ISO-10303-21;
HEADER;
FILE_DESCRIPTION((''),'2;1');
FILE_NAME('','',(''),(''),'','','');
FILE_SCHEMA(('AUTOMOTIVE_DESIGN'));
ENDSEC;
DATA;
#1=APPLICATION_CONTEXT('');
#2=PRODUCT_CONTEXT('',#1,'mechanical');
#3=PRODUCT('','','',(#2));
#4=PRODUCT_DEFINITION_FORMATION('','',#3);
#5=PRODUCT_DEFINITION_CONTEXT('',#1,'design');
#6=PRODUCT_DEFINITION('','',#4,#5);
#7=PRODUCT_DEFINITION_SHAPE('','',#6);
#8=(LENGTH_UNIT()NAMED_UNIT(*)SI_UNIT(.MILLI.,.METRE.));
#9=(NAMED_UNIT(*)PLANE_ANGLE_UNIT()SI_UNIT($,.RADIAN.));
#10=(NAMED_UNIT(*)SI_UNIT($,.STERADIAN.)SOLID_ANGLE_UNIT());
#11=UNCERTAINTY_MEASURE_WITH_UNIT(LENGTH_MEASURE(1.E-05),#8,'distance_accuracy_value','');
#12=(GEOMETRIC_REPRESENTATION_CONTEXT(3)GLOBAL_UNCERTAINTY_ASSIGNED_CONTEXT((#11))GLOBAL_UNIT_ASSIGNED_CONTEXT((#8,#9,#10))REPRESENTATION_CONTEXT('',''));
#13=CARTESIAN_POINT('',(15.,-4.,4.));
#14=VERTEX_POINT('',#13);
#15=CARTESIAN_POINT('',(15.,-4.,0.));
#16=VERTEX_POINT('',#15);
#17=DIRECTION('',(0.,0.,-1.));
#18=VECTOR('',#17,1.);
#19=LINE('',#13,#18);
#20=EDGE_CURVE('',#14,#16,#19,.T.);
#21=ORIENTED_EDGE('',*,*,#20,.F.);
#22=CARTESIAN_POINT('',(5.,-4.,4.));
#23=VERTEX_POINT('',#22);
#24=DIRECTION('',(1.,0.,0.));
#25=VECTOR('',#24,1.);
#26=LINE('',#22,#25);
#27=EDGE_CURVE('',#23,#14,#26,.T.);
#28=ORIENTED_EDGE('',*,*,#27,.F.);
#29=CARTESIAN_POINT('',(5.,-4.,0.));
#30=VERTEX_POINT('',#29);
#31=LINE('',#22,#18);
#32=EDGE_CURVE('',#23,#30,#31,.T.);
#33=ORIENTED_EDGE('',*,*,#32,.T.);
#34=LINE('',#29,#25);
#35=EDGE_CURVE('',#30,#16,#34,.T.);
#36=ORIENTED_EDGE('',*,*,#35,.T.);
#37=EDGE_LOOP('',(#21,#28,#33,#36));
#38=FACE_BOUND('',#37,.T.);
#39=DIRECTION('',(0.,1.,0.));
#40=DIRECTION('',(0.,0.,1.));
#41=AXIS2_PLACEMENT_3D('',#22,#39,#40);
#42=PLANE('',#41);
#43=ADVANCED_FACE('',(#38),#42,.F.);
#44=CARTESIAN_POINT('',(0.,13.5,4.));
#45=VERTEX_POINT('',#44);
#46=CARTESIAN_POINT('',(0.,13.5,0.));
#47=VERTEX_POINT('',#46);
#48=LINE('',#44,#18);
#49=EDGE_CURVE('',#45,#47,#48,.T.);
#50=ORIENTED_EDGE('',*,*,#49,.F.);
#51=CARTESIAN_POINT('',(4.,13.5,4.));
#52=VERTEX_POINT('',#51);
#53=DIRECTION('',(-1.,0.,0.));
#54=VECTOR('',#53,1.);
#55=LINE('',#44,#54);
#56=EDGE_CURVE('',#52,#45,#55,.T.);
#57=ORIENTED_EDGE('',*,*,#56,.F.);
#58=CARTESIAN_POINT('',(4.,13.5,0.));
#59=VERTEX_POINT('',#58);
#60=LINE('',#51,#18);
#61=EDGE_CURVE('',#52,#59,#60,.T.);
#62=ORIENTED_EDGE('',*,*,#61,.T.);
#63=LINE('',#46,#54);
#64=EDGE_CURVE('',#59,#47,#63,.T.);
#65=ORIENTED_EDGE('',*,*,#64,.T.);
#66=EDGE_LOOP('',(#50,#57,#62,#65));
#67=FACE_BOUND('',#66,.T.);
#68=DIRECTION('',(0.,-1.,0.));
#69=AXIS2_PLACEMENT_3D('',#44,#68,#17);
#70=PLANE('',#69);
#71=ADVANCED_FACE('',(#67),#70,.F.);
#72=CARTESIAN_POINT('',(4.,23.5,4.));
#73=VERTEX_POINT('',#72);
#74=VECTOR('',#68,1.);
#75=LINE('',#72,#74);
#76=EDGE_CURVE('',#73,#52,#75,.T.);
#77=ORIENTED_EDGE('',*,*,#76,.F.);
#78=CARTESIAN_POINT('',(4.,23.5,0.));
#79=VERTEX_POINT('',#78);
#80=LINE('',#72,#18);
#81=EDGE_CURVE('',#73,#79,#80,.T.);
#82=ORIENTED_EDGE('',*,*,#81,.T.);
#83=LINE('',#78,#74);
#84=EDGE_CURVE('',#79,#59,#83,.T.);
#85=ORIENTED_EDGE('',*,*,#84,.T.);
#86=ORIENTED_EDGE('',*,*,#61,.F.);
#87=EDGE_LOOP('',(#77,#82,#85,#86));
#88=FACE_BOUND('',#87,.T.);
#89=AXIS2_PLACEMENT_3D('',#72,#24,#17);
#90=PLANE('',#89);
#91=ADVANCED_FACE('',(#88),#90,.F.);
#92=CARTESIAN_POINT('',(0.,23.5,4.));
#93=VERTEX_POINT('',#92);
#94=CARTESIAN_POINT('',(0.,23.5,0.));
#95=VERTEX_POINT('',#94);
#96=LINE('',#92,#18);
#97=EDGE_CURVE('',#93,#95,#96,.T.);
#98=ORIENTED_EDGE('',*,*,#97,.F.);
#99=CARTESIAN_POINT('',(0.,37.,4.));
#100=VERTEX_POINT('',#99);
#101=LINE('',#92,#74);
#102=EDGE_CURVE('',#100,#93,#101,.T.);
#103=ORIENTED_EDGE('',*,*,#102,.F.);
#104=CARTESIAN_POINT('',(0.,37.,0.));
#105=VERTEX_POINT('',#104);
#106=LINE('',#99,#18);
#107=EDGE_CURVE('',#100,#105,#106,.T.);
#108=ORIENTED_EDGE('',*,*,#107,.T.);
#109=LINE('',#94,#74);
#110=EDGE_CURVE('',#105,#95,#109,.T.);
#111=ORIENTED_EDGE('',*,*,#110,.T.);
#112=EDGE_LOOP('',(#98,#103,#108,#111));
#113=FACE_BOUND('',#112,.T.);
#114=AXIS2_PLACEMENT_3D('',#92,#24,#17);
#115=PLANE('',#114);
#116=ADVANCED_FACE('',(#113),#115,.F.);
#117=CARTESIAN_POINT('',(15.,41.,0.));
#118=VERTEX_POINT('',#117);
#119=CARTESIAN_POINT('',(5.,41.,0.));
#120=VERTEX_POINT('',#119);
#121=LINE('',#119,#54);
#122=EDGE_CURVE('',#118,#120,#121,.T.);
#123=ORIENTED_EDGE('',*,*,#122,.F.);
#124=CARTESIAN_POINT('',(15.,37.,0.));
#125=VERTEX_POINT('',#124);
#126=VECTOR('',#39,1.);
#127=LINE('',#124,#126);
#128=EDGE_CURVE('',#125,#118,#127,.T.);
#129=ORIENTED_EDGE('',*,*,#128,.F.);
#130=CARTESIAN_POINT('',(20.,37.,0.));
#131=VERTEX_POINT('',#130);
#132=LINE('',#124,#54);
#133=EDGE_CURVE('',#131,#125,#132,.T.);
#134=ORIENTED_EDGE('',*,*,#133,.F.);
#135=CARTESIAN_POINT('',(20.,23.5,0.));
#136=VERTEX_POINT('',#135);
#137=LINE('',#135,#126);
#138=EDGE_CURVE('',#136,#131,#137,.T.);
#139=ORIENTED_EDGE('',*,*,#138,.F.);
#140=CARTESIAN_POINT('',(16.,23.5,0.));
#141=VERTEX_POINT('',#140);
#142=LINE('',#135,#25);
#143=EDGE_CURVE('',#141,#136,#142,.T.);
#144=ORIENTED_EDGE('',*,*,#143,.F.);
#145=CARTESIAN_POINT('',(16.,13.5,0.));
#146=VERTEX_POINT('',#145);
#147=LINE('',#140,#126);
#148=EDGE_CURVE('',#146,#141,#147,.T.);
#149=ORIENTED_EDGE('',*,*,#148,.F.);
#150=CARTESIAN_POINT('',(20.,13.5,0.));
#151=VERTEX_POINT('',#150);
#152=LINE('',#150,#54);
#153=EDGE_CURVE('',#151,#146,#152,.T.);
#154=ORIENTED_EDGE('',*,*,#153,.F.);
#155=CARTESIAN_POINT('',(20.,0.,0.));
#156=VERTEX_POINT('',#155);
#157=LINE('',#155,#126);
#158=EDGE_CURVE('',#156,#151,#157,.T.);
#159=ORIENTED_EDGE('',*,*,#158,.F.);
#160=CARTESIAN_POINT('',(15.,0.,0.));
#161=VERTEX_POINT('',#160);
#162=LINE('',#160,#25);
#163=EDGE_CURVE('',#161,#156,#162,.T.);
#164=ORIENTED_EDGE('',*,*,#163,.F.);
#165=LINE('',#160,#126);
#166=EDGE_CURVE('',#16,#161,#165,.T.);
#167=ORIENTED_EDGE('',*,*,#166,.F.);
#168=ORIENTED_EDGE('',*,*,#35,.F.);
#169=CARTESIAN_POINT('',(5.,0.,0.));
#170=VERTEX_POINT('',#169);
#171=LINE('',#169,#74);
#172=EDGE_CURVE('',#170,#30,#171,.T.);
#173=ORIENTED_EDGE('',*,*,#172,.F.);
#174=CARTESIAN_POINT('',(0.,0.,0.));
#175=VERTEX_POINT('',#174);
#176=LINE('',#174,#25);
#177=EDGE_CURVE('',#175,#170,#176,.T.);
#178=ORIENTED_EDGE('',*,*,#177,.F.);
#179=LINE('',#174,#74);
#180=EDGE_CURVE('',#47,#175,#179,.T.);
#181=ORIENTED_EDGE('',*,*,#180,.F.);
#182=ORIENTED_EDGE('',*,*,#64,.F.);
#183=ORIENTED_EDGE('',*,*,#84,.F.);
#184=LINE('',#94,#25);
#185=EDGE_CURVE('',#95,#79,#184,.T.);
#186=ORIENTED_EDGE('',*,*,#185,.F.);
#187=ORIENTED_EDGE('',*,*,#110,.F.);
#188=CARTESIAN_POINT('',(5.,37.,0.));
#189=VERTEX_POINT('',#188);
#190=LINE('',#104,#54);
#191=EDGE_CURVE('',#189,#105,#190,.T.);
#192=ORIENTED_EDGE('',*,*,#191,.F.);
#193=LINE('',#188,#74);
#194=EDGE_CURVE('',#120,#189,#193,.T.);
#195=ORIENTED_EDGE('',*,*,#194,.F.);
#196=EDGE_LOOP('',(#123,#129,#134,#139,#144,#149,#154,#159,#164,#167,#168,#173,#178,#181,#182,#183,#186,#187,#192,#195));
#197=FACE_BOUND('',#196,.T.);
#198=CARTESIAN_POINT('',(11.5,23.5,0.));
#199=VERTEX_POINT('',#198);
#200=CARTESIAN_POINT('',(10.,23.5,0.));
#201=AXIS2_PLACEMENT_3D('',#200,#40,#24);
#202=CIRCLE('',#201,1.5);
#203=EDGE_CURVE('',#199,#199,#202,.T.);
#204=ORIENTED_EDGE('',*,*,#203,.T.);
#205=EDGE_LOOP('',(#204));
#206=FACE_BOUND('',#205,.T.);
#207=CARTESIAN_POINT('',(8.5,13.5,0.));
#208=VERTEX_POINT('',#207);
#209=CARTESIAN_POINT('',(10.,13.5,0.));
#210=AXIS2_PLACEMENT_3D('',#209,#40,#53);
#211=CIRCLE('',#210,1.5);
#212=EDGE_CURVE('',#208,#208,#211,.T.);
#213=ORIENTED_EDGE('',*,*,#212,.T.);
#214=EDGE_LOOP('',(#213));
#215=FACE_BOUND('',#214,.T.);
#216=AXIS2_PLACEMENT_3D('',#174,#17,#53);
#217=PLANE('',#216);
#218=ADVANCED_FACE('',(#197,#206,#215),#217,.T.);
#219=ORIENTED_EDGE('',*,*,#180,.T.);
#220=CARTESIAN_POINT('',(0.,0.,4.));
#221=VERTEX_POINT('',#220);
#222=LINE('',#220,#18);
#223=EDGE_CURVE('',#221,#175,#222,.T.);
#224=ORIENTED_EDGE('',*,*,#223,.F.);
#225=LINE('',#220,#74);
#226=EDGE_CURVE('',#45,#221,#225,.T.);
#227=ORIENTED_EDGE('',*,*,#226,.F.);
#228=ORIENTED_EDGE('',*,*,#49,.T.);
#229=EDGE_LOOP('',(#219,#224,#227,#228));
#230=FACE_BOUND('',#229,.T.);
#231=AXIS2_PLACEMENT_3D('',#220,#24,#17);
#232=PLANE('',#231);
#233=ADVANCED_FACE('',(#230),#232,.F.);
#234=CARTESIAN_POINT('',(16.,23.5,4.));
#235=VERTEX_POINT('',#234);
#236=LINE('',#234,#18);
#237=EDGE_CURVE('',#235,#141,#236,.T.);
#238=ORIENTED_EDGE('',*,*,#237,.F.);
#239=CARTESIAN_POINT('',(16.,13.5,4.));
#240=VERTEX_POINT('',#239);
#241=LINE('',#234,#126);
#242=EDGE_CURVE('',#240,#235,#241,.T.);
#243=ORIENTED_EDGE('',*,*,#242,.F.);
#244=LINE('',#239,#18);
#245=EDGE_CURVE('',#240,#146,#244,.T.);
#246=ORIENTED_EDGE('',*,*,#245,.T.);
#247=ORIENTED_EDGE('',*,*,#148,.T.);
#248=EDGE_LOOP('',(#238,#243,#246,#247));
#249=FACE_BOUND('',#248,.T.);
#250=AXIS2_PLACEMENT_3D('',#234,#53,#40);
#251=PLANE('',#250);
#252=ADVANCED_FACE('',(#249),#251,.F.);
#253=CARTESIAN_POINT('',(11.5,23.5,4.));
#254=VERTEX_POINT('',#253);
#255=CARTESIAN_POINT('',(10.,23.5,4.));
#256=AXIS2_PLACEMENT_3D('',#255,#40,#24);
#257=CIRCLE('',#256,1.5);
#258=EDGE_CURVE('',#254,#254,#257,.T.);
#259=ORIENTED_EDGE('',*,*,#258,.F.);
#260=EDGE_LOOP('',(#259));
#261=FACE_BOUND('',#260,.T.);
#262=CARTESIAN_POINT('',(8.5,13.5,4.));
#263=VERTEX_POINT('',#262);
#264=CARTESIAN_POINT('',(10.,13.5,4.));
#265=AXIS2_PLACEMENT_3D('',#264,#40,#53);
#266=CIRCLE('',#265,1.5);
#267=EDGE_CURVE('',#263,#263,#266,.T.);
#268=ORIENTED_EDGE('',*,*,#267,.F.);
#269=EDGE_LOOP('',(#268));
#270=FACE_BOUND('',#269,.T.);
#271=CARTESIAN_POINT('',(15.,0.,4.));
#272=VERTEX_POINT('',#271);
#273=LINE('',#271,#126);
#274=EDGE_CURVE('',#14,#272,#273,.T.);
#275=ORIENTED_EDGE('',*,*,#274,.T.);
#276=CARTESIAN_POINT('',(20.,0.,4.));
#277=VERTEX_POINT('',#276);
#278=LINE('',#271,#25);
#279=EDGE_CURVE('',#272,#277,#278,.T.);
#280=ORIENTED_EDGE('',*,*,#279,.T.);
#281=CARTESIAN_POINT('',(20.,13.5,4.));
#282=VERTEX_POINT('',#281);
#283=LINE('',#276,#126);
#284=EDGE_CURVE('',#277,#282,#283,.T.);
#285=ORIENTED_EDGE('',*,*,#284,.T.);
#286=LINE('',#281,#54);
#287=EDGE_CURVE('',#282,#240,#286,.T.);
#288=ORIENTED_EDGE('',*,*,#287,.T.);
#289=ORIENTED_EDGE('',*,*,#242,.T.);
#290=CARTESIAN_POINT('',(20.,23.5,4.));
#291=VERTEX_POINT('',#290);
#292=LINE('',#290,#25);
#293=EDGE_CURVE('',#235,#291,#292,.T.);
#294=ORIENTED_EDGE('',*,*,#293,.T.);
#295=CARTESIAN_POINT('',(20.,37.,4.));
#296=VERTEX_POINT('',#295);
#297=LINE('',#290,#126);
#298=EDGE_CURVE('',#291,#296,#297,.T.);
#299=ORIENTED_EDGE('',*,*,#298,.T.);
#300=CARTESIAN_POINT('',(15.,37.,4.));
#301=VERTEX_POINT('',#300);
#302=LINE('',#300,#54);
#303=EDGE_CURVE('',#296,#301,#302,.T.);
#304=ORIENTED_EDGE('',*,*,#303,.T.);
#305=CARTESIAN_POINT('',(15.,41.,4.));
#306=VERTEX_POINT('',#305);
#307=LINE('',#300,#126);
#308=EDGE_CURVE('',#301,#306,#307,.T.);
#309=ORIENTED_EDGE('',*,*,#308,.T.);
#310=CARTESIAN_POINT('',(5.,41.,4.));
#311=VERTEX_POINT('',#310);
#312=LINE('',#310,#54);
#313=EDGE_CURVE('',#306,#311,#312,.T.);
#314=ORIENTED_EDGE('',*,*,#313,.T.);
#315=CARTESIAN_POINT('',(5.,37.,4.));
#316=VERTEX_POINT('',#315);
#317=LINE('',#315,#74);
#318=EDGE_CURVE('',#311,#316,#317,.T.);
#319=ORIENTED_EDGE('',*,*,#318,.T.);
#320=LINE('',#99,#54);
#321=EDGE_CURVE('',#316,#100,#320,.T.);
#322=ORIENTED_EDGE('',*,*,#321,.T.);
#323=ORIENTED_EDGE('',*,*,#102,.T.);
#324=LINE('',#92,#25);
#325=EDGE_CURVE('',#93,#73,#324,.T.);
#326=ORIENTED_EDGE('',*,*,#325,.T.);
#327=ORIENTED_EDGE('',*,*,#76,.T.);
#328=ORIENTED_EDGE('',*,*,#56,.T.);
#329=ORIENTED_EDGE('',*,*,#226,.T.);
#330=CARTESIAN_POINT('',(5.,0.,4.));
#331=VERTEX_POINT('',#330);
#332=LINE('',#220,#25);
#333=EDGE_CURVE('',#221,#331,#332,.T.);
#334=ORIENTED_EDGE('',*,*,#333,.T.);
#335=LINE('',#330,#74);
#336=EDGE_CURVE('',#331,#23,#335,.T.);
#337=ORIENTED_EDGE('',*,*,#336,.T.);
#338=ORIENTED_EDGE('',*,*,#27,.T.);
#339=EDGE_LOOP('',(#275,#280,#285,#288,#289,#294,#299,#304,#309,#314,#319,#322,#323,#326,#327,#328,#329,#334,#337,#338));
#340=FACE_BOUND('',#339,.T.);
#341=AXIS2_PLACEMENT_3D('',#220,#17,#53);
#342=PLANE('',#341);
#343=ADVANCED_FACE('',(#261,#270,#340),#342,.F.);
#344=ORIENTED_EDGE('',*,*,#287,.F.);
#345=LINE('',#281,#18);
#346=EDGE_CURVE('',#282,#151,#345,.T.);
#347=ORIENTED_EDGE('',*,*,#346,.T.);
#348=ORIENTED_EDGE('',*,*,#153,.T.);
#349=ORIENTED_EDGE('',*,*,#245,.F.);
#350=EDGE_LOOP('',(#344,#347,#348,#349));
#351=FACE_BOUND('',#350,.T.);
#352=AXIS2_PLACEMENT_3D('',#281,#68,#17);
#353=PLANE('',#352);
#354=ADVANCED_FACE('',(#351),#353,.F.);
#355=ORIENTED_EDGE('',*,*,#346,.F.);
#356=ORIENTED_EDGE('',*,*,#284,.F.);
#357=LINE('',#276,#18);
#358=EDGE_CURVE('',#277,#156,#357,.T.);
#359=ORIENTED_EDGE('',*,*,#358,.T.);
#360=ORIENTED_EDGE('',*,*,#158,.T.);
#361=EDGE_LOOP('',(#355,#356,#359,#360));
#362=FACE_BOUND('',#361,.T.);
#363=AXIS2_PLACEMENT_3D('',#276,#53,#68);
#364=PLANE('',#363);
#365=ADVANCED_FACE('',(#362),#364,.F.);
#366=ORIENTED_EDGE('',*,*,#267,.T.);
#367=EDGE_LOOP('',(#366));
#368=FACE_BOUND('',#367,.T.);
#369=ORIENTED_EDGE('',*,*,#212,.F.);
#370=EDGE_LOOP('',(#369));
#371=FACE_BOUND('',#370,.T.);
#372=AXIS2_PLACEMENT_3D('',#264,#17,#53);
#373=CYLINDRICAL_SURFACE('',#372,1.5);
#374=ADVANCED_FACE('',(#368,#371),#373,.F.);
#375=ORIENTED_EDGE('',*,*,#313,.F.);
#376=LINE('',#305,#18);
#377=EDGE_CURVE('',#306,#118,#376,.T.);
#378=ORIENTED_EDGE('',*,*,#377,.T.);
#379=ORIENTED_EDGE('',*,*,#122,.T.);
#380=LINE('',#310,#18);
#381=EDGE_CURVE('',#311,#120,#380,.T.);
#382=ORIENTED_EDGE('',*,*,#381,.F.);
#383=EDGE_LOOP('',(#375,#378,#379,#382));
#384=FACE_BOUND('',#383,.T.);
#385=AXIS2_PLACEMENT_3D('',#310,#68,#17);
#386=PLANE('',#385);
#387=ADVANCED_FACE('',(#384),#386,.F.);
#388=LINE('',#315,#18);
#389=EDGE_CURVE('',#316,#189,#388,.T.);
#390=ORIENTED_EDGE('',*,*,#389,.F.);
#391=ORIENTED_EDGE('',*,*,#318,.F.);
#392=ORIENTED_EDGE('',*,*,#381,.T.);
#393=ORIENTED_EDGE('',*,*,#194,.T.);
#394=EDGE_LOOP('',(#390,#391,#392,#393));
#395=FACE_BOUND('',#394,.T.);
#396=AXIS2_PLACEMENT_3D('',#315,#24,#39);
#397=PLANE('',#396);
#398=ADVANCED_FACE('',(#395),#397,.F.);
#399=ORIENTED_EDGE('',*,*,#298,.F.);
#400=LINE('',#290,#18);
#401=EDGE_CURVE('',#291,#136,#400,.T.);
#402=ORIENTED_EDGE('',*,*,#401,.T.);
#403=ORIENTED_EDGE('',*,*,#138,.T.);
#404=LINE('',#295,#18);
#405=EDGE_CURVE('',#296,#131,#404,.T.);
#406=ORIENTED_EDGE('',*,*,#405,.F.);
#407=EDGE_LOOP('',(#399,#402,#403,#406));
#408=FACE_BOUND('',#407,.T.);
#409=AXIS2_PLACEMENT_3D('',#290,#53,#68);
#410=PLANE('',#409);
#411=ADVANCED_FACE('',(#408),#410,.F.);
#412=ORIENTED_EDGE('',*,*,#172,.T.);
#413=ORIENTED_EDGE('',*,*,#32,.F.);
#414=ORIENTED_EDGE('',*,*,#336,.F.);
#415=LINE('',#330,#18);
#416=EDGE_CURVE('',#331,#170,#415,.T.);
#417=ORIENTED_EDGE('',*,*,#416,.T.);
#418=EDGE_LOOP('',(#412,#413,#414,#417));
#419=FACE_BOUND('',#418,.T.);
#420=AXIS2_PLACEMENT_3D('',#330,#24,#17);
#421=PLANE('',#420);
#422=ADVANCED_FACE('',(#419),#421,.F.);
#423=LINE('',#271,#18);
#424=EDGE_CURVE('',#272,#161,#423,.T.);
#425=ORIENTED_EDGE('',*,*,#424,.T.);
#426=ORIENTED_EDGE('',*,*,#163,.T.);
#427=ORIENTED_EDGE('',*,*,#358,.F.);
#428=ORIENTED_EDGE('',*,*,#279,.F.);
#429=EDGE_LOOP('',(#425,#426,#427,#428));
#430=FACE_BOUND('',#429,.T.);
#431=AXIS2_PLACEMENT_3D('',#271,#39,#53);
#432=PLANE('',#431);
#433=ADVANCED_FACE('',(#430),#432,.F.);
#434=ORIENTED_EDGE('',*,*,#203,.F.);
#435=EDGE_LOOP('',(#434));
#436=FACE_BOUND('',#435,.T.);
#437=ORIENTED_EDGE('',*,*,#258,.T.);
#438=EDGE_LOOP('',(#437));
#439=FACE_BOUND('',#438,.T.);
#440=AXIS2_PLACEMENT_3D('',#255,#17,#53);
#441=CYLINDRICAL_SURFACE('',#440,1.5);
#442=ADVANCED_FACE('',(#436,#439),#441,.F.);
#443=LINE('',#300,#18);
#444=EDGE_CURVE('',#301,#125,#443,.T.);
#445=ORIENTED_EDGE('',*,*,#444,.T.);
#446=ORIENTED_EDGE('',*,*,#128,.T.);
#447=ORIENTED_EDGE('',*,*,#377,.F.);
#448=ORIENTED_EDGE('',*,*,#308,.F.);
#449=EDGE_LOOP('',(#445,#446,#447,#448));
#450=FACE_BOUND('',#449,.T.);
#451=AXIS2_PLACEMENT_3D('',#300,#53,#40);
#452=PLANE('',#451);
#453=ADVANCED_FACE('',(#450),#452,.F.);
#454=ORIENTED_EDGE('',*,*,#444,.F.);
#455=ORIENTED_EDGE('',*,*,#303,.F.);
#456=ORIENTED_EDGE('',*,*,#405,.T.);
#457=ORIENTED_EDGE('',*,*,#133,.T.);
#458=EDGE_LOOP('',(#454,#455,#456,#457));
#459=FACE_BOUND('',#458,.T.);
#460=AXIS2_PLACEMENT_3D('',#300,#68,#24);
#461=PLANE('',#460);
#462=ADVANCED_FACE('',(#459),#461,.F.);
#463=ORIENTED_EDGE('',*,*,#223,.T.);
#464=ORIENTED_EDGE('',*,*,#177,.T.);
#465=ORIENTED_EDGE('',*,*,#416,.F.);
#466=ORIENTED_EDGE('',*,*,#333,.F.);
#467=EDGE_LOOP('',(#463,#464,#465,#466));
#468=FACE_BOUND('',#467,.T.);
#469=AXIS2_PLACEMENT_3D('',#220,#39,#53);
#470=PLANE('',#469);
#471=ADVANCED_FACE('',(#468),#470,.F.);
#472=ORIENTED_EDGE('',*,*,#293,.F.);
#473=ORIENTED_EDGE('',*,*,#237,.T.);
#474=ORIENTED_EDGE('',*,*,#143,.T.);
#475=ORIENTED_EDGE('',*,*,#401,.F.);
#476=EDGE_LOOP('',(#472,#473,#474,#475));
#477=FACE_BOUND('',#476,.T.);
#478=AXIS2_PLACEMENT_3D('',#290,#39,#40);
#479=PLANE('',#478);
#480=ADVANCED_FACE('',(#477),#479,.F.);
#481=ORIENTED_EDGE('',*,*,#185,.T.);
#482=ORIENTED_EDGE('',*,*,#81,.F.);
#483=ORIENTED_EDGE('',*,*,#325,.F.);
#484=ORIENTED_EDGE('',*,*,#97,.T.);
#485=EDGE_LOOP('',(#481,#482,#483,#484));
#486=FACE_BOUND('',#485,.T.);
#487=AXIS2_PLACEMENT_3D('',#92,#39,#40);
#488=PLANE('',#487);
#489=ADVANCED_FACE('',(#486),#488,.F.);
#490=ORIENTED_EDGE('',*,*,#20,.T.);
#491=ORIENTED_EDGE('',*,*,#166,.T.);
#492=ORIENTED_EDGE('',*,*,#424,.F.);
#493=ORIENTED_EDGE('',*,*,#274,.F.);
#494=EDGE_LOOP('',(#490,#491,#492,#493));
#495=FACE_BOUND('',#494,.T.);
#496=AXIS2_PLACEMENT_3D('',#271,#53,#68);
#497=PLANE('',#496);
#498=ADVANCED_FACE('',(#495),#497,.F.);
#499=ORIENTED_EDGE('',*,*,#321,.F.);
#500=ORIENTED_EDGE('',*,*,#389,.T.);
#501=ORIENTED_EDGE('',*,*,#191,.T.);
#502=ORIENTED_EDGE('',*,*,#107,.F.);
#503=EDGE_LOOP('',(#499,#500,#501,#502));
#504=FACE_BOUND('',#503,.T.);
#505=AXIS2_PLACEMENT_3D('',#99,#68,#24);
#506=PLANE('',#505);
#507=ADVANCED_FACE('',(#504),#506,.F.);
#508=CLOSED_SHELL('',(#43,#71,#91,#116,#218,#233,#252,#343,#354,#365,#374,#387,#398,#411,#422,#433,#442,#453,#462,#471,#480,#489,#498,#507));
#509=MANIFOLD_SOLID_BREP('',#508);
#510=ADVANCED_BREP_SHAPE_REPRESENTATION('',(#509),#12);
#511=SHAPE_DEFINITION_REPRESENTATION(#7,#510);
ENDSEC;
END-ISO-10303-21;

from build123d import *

# Parameters (mm, degrees)
SKETCH_1_R      = 1.5
EXTRUDE_1_DEPTH = 4


with BuildPart() as part:
    # Эскиз1 → Бобышка-Вытянуть1 (new body)
    with BuildSketch(Plane.XY):
        Polygon((0, 0), (5, 0), (5, -4), (15, -4), (15, 0), (20, 0), (20, 13.5), (16, 13.5), (16, 23.5), (20, 23.5), (20, 37), (15, 37), (15, 41), (5, 41), (5, 37), (0, 37), (0, 23.5), (4, 23.5), (4, 13.5), (0, 13.5), align=None)
        with Locations((10, 23.5)):
            Circle(SKETCH_1_R, mode=Mode.SUBTRACT)
        with Locations(Location((10, 13.5, 0), (0, 0, 180))):
            Circle(SKETCH_1_R, mode=Mode.SUBTRACT)
    extrude(amount=EXTRUDE_1_DEPTH)


solid = part.part
